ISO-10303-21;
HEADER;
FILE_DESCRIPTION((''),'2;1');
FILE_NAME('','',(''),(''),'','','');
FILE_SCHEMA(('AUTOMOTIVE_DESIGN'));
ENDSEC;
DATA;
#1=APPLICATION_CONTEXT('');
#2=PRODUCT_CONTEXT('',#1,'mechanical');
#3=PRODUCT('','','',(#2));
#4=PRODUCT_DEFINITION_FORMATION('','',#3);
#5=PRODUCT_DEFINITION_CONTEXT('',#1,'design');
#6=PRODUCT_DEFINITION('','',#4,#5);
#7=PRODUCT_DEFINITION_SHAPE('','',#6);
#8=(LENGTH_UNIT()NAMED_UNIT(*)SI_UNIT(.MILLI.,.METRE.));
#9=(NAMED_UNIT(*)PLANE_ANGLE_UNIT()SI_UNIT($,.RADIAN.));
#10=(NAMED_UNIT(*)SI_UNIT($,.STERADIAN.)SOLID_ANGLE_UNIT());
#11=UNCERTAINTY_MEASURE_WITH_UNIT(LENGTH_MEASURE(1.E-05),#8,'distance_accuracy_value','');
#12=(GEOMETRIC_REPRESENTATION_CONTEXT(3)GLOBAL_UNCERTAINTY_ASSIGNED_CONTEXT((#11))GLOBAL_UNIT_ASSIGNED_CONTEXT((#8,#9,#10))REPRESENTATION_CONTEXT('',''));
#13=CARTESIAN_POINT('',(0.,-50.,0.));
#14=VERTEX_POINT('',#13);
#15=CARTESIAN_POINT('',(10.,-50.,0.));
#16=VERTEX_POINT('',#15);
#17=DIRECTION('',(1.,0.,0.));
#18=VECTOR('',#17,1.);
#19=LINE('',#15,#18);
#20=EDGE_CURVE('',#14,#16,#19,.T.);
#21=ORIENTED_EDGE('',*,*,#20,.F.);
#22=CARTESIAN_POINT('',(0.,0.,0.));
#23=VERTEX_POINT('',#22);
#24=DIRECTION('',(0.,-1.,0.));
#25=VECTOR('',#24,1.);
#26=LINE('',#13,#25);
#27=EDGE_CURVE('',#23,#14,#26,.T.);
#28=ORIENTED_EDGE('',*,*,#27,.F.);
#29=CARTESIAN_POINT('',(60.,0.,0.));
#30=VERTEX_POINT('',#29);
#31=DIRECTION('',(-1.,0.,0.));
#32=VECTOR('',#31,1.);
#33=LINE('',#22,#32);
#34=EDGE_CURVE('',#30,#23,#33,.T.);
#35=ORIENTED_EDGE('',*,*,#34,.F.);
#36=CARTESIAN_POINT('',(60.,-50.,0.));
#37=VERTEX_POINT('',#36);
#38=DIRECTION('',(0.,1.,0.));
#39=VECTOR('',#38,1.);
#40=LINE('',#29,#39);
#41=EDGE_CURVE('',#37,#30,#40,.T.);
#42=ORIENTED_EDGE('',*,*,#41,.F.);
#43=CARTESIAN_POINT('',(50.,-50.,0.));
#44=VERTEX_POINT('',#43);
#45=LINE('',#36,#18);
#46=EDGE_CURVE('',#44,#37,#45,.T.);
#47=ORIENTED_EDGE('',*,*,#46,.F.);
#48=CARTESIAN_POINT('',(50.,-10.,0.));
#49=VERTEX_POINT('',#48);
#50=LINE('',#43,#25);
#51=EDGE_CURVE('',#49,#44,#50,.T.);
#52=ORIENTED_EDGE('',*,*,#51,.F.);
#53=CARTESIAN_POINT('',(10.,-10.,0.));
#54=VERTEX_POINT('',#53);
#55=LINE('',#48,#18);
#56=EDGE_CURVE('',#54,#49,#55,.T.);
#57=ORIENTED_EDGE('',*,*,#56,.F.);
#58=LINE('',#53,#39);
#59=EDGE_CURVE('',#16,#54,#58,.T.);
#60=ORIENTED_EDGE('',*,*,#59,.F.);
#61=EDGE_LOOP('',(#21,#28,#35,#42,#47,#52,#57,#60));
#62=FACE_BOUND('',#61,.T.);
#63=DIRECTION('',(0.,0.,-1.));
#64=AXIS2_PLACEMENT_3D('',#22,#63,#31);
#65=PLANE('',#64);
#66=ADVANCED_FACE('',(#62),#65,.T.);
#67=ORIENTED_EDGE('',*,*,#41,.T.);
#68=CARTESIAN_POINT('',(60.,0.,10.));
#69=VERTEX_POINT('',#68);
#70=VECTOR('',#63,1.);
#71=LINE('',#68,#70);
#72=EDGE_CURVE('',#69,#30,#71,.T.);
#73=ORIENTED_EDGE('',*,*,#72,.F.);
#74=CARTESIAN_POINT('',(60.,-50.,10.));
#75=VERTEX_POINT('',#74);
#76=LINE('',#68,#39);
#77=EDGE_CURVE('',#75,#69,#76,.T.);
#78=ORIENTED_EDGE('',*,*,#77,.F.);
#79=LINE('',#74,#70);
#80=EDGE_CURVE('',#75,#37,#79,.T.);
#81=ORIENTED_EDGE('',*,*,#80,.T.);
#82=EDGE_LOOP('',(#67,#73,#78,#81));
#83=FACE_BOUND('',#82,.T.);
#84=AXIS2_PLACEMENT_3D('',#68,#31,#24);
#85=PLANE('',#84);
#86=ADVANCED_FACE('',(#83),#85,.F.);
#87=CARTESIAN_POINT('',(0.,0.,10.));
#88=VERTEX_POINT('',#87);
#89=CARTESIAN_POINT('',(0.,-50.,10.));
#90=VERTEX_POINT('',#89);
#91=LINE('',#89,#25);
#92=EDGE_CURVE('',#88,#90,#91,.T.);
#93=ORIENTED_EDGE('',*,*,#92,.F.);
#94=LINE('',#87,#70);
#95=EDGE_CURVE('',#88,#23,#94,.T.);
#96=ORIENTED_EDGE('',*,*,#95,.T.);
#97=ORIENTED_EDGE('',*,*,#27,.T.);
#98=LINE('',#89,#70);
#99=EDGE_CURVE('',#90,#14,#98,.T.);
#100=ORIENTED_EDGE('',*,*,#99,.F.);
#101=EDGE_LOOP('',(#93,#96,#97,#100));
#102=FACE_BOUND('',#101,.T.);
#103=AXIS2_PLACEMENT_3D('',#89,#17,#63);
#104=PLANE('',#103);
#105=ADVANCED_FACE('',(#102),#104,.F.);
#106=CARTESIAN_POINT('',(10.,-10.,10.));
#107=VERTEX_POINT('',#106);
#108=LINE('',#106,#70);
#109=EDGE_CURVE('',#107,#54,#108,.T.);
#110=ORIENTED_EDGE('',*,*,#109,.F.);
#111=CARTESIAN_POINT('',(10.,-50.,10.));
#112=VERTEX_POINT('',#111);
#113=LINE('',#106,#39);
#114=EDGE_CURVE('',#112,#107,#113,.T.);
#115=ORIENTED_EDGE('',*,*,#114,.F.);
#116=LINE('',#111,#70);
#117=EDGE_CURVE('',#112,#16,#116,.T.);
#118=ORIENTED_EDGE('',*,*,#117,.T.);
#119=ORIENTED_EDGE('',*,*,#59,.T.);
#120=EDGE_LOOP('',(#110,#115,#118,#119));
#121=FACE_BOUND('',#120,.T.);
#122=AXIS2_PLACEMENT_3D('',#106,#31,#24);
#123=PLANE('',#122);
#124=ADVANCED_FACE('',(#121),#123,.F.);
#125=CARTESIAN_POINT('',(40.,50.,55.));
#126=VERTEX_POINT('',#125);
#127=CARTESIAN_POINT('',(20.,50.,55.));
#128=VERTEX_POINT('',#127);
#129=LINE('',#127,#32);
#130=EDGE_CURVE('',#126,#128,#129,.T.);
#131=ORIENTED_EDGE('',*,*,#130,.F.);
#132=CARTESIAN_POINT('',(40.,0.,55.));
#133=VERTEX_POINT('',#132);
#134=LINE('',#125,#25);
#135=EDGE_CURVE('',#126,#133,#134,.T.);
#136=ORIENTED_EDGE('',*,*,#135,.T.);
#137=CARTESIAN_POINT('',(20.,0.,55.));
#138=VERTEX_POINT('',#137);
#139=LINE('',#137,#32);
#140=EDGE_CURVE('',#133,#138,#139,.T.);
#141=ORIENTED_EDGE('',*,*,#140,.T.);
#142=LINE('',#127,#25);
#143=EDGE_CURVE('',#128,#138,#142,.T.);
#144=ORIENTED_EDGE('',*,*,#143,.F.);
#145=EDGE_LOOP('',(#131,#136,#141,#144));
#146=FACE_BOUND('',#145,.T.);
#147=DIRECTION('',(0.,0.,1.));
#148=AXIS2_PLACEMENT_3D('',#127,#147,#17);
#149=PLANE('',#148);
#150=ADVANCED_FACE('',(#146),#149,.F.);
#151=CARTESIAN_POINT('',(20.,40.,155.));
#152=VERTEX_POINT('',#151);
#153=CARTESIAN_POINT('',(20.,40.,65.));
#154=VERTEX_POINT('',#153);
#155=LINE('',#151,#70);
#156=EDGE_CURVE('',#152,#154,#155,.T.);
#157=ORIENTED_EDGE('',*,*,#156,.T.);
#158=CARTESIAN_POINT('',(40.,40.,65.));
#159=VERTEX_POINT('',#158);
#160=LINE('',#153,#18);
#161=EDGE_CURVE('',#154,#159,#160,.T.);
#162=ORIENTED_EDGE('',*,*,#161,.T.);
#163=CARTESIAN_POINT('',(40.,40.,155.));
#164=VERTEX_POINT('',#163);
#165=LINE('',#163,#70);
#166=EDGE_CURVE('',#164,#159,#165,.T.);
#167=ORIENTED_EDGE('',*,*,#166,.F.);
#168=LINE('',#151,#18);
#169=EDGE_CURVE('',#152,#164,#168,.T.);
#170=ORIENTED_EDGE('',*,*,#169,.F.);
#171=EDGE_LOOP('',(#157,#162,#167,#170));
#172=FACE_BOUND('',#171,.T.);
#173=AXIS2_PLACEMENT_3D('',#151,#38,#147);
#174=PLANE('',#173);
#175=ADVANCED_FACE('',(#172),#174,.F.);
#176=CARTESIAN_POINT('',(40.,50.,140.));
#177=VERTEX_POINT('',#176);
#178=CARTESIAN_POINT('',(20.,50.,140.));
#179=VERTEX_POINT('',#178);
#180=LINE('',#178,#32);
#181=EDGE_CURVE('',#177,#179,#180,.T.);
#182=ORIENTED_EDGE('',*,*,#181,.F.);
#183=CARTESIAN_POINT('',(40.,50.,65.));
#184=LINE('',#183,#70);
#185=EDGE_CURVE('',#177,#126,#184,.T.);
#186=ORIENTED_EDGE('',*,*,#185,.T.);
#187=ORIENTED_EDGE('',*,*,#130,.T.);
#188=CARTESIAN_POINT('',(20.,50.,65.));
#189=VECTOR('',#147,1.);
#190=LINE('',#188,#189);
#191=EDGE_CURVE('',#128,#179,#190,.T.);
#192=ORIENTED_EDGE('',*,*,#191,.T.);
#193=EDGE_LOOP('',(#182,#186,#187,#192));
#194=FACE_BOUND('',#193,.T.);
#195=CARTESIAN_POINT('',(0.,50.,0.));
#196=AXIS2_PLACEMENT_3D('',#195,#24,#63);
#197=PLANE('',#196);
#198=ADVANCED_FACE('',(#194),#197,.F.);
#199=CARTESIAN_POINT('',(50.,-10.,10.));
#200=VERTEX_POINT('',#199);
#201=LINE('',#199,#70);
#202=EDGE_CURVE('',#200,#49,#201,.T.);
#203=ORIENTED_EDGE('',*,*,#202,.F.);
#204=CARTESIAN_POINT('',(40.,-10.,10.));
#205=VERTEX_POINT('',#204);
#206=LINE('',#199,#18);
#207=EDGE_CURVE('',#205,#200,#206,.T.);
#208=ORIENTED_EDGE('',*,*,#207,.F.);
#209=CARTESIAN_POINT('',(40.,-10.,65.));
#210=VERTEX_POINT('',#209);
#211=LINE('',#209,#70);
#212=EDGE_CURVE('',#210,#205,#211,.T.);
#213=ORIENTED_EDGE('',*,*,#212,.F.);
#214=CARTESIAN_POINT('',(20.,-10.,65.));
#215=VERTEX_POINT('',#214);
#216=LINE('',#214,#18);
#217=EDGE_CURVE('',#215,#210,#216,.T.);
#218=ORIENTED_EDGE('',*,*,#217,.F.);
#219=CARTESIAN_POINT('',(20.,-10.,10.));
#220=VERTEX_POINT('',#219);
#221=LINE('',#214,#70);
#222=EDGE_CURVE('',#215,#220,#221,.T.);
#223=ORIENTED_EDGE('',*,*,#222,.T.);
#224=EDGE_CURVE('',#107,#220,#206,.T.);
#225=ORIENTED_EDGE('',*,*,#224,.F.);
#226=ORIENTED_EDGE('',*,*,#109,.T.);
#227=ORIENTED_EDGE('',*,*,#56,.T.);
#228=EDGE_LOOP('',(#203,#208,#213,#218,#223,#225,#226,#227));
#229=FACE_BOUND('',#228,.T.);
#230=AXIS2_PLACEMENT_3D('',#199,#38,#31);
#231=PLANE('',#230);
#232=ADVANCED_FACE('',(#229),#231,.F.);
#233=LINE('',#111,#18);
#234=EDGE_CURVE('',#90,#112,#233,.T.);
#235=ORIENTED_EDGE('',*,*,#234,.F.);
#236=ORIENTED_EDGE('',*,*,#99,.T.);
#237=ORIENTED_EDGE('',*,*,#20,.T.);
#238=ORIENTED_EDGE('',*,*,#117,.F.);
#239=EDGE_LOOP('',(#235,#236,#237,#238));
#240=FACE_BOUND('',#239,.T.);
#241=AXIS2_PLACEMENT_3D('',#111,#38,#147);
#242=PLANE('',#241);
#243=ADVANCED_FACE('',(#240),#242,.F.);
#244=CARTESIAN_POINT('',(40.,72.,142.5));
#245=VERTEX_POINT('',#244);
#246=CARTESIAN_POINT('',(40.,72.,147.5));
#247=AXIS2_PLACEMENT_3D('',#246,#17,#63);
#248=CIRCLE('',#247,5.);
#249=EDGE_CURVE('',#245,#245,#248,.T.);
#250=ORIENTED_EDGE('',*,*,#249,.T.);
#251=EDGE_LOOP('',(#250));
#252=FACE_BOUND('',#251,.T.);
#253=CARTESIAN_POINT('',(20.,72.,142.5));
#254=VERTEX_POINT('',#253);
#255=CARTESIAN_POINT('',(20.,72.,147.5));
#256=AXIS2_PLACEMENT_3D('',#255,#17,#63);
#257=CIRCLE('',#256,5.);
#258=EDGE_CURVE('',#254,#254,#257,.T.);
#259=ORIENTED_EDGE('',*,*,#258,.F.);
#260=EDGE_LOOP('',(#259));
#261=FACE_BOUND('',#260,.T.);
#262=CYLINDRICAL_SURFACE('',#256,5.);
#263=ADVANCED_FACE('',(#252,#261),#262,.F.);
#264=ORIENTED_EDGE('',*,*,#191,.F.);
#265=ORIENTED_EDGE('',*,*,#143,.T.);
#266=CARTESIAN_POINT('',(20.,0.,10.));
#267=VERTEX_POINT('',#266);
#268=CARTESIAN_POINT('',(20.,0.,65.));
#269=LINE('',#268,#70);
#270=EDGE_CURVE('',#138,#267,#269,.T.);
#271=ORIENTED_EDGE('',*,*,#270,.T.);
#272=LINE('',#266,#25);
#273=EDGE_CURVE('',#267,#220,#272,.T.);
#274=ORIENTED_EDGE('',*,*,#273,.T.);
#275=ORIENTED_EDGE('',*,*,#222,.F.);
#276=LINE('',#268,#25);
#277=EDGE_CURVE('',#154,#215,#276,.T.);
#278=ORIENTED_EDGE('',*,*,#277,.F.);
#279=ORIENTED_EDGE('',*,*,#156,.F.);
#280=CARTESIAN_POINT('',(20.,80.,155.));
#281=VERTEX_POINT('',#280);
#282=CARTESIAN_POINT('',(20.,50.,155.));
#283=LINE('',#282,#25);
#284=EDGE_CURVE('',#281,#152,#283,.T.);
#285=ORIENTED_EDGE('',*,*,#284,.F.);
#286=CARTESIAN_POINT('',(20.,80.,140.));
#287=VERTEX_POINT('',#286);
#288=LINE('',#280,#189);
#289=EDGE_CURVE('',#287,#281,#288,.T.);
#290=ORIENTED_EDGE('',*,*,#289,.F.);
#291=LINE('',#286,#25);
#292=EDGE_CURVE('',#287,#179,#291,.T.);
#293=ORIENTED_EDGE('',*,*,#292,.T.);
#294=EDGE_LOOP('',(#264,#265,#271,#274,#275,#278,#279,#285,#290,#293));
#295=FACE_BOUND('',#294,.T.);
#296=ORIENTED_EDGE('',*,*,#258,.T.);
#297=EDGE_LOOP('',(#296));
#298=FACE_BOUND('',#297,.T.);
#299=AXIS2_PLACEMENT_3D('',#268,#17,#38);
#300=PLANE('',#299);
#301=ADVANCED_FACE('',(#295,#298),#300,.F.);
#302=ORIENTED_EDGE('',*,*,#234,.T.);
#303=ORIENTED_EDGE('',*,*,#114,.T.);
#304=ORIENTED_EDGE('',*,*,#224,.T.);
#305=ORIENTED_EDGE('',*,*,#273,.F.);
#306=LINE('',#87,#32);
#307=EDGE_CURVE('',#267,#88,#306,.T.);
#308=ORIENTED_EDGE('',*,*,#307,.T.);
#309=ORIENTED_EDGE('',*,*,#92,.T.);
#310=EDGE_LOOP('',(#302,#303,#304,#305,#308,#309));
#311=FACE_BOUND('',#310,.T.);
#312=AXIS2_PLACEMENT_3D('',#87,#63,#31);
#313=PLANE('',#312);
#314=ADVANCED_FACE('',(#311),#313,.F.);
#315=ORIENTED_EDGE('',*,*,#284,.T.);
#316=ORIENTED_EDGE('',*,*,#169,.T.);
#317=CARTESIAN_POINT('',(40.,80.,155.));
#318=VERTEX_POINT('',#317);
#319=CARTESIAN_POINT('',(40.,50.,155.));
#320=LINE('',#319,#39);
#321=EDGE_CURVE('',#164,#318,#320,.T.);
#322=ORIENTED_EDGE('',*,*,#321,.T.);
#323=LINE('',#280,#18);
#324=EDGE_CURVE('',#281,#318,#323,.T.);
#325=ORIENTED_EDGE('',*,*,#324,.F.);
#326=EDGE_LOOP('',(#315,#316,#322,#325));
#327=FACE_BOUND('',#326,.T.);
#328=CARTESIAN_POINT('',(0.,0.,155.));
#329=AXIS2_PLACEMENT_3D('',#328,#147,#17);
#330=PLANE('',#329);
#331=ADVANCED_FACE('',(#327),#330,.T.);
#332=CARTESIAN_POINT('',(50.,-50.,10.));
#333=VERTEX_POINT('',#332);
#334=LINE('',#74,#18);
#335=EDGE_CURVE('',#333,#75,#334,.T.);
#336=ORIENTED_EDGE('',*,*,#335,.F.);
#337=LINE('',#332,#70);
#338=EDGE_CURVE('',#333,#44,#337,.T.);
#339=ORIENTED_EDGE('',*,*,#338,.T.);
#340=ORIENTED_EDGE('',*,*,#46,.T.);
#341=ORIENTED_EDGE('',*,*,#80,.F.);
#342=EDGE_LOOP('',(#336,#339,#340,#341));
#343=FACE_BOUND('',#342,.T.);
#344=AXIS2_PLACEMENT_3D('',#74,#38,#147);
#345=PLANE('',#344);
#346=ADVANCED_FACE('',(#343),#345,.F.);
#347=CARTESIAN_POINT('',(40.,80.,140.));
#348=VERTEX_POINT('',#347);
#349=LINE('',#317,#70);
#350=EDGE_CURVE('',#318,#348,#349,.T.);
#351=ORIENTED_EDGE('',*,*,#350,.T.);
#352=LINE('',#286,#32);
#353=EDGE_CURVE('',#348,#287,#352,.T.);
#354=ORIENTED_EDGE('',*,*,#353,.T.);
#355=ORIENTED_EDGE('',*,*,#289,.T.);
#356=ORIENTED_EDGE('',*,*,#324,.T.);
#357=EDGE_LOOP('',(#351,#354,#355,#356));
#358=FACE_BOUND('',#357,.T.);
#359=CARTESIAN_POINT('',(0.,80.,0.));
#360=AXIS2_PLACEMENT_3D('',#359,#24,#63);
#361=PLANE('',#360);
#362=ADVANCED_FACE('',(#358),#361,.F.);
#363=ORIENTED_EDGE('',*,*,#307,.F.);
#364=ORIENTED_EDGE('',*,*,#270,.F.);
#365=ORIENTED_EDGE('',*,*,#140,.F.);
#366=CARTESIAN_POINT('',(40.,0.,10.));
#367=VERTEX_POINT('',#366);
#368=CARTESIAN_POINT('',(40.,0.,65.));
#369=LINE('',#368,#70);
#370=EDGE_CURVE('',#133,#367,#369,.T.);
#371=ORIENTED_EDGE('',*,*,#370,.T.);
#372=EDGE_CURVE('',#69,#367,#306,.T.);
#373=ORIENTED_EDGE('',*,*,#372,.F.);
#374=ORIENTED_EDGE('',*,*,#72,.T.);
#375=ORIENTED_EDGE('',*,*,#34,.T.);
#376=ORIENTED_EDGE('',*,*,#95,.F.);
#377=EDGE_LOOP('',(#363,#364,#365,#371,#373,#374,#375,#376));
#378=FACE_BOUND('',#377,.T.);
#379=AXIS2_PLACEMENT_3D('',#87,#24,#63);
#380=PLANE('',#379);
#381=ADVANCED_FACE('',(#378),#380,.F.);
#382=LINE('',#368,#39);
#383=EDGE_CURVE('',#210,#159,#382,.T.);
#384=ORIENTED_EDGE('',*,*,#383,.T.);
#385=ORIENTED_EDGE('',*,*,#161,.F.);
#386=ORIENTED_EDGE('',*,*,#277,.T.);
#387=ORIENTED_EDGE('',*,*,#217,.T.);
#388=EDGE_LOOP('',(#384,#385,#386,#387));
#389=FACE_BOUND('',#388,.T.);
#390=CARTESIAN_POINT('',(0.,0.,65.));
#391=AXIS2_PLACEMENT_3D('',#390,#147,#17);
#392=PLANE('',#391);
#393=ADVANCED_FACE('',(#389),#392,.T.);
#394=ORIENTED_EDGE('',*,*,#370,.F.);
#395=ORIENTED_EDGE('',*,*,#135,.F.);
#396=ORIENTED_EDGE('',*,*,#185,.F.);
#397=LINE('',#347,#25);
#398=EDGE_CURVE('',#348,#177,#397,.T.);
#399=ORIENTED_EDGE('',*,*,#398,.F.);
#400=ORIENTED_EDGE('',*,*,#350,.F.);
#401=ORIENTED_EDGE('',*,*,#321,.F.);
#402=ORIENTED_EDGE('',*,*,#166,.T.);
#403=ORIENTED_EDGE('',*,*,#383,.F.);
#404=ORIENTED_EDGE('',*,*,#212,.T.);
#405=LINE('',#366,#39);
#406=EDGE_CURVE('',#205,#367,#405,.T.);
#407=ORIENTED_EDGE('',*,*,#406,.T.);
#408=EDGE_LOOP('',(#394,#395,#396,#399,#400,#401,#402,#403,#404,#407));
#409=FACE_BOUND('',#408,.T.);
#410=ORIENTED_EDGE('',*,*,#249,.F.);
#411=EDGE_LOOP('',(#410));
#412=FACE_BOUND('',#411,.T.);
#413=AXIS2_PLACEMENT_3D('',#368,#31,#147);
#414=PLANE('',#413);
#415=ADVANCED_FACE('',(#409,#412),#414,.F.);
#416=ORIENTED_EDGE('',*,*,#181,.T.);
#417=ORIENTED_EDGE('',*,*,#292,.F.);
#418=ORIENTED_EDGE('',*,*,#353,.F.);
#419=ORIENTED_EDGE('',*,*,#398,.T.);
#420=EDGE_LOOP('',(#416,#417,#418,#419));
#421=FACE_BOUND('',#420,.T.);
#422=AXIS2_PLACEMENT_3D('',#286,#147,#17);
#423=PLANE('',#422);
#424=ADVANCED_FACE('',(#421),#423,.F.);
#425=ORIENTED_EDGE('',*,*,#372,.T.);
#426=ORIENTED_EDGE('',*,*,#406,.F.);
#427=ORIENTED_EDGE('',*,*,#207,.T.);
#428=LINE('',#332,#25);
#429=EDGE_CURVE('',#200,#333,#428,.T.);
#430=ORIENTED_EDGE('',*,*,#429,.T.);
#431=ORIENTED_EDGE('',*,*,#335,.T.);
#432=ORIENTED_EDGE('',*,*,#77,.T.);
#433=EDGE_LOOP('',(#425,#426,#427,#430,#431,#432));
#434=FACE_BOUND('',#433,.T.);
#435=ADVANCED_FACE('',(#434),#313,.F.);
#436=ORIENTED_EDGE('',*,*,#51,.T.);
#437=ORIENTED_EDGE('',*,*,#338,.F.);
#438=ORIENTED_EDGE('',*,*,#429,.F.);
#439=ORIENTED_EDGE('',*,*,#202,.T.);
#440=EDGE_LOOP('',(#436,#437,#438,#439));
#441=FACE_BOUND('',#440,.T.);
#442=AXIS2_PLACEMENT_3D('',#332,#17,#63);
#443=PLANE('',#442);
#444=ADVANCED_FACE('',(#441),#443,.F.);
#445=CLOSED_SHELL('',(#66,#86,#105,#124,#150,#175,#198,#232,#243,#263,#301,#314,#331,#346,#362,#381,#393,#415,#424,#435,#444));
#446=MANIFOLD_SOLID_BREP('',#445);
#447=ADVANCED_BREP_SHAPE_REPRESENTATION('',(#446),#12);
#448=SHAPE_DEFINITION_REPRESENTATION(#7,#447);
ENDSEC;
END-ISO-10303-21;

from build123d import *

# Parameters (mm, degrees)
P_IDAT_VYSUNUT_M1_DEPTH  = 10
SKICA2_W                 = 20
SKICA2_H                 = 10
P_IDAT_VYSUNUT_M2_DEPTH  = 55
SKICA4_W                 = 20
SKICA4_H                 = 10
P_IDAT_VYSUNUT_M3_DEPTH  = 50
SKICA5_W                 = 20
SKICA5_H                 = 10
P_IDAT_VYSUNUT_M4_DEPTH  = 90
SKICA6_W                 = 20
SKICA6_H                 = 15
P_IDAT_VYSUNUT_M5_DEPTH  = 30
SKICA7_R                 = 5
ODEBRAT_VYSUNUT_M1_DEPTH = 20


with BuildPart() as part:
    # Skica1 → Přidat vysunutím1 (new body)
    with BuildSketch(Plane.XY):
        Polygon((0, 0), (60, 0), (60, -50), (50, -50), (50, -10), (10, -10), (10, -50), (0, -50), align=None)
    extrude(amount=P_IDAT_VYSUNUT_M1_DEPTH)

    # Skica2 → Přidat vysunutím2 (add)
    with BuildSketch(Plane.XY.offset(10)):
        with Locations((30, -5)):
            Rectangle(SKICA2_W, SKICA2_H)
    extrude(amount=P_IDAT_VYSUNUT_M2_DEPTH)

    # Skica4 → Přidat vysunutím3 (add)
    with BuildSketch(Plane(origin=(0, 0, 0), x_dir=(1, 0, 0), z_dir=(0, 1, 0))):
        with Locations((30, -60)):
            Rectangle(SKICA4_W, SKICA4_H)
    extrude(amount=P_IDAT_VYSUNUT_M3_DEPTH)

    # Skica5 → Přidat vysunutím4 (add)
    with BuildSketch(Plane.XY.offset(65)):
        with Locations((30, 45)):
            Rectangle(SKICA5_W, SKICA5_H)
    extrude(amount=P_IDAT_VYSUNUT_M4_DEPTH)

    # Skica6 → Přidat vysunutím5 (add)
    with BuildSketch(Plane(origin=(0, 50, 0), x_dir=(1, 0, 0), z_dir=(0, 1, 0))):
        with Locations((30, -147.5)):
            Rectangle(SKICA6_W, SKICA6_H)
    extrude(amount=P_IDAT_VYSUNUT_M5_DEPTH)

    # Skica7 → Odebrat vysunutím1 (cut)
    with BuildSketch(Plane(origin=(40, 0, 0), x_dir=(0, 0, -1), z_dir=(1, 0, 0))):
        with Locations((-147.5, 72)):
            Circle(SKICA7_R)
    extrude(amount=-ODEBRAT_VYSUNUT_M1_DEPTH, mode=Mode.SUBTRACT)


solid = part.part
